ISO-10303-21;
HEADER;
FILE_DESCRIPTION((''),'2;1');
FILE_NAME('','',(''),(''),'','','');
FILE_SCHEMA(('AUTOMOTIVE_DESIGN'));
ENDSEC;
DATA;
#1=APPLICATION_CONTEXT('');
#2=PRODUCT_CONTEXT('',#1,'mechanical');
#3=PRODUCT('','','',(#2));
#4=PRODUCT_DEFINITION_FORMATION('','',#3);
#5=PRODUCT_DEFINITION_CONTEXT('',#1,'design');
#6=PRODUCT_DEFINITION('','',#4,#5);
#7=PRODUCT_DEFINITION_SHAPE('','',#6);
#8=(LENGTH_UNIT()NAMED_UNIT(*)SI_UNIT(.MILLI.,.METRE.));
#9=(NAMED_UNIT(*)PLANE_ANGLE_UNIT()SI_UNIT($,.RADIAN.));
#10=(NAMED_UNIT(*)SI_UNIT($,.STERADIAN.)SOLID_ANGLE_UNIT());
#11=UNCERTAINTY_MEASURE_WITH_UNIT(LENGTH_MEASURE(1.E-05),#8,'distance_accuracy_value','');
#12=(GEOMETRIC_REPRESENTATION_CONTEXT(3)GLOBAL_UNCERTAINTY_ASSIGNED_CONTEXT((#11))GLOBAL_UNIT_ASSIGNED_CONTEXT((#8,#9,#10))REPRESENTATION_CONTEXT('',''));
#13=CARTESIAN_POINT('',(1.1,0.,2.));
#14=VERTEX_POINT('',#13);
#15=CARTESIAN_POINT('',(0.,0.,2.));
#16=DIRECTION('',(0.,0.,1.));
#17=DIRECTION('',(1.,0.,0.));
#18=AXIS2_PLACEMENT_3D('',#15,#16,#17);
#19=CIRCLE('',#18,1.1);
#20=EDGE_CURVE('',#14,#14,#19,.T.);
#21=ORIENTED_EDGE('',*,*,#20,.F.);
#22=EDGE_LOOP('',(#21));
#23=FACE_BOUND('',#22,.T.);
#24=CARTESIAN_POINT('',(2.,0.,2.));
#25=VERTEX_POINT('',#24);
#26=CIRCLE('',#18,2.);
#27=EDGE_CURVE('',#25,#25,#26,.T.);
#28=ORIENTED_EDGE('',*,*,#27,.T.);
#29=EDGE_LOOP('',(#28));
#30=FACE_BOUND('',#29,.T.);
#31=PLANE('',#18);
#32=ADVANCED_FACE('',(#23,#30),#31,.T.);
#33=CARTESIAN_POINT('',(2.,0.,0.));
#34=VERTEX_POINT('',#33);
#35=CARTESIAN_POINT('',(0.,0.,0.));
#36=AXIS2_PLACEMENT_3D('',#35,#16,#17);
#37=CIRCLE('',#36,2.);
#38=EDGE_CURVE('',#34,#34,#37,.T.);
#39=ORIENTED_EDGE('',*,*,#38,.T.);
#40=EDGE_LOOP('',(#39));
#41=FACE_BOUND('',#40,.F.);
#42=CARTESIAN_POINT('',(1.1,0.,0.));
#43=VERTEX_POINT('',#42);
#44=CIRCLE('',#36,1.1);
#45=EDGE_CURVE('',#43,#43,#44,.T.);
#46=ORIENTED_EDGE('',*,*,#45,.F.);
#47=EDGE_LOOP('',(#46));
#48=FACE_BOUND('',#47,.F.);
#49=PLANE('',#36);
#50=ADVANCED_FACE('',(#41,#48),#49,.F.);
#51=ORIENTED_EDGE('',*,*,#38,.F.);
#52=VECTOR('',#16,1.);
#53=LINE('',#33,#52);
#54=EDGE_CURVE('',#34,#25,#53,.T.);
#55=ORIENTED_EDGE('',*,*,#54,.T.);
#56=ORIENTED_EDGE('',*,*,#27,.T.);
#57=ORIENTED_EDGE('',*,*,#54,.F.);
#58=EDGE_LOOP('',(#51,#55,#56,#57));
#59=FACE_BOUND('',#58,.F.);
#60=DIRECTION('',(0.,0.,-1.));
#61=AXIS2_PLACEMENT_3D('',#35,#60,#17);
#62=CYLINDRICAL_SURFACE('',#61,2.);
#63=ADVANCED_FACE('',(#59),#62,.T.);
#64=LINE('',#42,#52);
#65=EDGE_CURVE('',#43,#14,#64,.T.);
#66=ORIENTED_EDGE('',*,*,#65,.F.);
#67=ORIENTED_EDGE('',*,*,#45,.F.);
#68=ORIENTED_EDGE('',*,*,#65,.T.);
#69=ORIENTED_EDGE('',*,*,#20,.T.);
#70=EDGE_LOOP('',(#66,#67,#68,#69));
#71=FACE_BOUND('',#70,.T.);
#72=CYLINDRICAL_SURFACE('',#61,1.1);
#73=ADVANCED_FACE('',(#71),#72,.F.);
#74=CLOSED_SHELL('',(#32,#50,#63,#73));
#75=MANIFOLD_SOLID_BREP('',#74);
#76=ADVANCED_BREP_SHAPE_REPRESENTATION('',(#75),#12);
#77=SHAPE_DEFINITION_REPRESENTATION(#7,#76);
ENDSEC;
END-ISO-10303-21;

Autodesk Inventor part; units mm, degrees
ref_plane "YZ Plane" through (0, 0, 0) normal (1, 0, 0) x (0, 1, 0)
ref_plane "XZ Plane" through (0, 0, 0) normal (0, 1, 0) x (-1, 0, 0)
ref_plane "XY Plane" through (0, 0, 0) normal (0, 0, 1) x (1, 0, 0)
sketch "Sketch1" plane through (0, 0, 0) normal (0, 0, 1) x (1, 0, 0)
  circle A0 centre (0, 0) radius 1.1
  circle A1 centre (0, 0) radius 2
  dimension "d0" = 2.2
  dimension "d1" = 4
extrude "Extrusion1" add sketch "Sketch1" along normal blind 2
properties part number "m2_2mm_spacer"
